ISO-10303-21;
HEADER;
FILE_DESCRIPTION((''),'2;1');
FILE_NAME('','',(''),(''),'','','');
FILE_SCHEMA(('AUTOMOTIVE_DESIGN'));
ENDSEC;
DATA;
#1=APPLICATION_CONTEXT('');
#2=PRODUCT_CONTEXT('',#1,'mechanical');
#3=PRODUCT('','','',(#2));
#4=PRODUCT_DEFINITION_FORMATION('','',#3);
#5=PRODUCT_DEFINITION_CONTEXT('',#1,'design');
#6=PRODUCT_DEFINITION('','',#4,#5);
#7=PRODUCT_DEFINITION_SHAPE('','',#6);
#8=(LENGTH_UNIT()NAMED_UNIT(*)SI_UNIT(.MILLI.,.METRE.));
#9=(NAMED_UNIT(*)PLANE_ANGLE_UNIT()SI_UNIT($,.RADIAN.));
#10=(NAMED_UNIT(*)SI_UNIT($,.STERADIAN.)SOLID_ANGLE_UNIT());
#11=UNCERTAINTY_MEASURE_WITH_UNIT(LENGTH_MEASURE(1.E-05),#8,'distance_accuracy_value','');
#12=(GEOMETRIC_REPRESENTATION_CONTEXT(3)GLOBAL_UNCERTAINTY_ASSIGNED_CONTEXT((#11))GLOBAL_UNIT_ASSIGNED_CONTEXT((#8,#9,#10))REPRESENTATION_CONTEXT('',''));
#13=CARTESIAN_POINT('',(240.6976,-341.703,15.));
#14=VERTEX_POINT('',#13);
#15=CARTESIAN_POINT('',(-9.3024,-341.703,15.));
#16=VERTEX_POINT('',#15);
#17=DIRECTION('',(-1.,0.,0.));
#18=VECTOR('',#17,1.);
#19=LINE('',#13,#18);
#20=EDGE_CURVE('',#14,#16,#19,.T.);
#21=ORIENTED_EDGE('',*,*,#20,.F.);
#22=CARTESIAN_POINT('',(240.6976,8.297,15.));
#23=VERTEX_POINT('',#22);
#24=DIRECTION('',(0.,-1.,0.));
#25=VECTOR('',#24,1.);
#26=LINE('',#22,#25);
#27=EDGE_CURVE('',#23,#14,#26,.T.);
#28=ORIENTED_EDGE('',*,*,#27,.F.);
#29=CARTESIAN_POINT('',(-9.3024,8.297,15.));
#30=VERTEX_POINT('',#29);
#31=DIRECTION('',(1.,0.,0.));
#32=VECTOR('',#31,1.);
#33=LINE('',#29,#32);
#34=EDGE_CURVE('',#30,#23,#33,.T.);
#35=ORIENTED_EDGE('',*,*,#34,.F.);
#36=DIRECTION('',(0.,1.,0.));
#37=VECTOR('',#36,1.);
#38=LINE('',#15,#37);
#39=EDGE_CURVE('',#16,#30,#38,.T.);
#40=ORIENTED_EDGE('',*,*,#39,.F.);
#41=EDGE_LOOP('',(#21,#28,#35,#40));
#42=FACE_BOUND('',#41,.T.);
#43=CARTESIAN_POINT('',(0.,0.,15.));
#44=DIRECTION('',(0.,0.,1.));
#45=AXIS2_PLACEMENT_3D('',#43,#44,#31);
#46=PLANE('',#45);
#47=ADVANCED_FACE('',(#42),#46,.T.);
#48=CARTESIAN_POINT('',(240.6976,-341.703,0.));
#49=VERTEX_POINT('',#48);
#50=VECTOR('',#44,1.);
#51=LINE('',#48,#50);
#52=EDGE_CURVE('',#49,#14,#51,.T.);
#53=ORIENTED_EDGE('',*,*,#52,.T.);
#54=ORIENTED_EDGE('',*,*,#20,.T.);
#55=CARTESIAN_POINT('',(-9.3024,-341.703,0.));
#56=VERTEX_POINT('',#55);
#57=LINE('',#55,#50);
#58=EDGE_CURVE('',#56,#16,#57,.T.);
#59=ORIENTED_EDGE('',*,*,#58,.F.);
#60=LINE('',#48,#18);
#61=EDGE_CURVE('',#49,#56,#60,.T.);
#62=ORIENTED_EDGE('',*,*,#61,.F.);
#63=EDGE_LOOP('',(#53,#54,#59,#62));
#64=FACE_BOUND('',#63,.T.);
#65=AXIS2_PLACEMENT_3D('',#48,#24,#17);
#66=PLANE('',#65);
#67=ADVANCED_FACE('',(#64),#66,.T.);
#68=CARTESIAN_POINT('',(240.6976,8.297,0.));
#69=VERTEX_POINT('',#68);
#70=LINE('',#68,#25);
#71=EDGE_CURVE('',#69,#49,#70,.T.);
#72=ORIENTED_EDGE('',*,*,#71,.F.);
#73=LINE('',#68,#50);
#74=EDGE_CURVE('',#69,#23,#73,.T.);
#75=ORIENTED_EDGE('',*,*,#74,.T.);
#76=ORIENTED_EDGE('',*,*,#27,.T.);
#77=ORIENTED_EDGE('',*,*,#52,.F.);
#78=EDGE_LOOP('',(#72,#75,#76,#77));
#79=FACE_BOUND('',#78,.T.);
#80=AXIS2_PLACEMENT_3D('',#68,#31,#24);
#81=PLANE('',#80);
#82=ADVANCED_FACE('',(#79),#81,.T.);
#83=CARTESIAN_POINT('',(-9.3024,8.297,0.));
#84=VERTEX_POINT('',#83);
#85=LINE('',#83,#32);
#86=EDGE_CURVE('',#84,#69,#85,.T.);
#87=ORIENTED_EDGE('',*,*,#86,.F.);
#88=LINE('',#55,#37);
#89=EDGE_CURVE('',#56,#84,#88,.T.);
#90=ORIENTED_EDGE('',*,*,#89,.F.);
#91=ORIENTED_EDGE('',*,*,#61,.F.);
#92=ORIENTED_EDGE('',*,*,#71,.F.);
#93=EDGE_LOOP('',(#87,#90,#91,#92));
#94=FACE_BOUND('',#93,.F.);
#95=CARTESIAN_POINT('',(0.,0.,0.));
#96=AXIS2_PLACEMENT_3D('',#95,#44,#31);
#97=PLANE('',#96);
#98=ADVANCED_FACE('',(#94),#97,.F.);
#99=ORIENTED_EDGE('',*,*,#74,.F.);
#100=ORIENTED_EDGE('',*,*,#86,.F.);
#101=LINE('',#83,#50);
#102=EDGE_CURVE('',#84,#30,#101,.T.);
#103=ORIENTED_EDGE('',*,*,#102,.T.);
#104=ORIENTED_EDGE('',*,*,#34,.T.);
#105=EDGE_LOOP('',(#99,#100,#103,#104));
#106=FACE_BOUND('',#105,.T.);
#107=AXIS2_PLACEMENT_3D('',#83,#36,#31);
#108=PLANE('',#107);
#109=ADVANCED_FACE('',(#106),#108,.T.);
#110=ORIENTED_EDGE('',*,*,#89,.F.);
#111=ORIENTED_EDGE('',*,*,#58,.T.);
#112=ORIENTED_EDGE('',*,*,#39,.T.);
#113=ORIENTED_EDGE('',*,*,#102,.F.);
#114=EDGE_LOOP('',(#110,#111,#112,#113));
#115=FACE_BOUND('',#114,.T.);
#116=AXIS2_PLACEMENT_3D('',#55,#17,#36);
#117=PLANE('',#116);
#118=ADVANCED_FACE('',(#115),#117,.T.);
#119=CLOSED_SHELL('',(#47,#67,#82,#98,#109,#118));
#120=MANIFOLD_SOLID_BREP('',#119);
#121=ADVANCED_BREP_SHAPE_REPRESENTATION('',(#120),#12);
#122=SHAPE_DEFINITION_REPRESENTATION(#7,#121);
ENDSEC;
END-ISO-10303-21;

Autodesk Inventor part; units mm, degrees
ref_plane "YZ Plane" through (0, 0, 0) normal (1, 0, 0) x (0, 1, 0)
ref_plane "XZ Plane" through (0, 0, 0) normal (0, 1, 0) x (-1, 0, 0)
ref_plane "XY Plane" through (0, 0, 0) normal (0, 0, 1) x (1, 0, 0)
sketch "Sketch1" plane through (0, 0, 0) normal (0, 0, 1) x (1, 0, 0)
  line L0 (-9.3024, 8.297) -> (240.6976, 8.297)
  line L1 (240.6976, 8.297) -> (240.6976, -341.703)
  line L2 (240.6976, -341.703) -> (-9.3024, -341.703)
  line L3 (-9.3024, -341.703) -> (-9.3024, 8.297)
  point P0 (0, 0)
  dimension "d0" = 250
  dimension "d1" = 350
extrude "Extrusion1" add sketch "Sketch1" along normal blind 15
properties part number "anushree frame"
